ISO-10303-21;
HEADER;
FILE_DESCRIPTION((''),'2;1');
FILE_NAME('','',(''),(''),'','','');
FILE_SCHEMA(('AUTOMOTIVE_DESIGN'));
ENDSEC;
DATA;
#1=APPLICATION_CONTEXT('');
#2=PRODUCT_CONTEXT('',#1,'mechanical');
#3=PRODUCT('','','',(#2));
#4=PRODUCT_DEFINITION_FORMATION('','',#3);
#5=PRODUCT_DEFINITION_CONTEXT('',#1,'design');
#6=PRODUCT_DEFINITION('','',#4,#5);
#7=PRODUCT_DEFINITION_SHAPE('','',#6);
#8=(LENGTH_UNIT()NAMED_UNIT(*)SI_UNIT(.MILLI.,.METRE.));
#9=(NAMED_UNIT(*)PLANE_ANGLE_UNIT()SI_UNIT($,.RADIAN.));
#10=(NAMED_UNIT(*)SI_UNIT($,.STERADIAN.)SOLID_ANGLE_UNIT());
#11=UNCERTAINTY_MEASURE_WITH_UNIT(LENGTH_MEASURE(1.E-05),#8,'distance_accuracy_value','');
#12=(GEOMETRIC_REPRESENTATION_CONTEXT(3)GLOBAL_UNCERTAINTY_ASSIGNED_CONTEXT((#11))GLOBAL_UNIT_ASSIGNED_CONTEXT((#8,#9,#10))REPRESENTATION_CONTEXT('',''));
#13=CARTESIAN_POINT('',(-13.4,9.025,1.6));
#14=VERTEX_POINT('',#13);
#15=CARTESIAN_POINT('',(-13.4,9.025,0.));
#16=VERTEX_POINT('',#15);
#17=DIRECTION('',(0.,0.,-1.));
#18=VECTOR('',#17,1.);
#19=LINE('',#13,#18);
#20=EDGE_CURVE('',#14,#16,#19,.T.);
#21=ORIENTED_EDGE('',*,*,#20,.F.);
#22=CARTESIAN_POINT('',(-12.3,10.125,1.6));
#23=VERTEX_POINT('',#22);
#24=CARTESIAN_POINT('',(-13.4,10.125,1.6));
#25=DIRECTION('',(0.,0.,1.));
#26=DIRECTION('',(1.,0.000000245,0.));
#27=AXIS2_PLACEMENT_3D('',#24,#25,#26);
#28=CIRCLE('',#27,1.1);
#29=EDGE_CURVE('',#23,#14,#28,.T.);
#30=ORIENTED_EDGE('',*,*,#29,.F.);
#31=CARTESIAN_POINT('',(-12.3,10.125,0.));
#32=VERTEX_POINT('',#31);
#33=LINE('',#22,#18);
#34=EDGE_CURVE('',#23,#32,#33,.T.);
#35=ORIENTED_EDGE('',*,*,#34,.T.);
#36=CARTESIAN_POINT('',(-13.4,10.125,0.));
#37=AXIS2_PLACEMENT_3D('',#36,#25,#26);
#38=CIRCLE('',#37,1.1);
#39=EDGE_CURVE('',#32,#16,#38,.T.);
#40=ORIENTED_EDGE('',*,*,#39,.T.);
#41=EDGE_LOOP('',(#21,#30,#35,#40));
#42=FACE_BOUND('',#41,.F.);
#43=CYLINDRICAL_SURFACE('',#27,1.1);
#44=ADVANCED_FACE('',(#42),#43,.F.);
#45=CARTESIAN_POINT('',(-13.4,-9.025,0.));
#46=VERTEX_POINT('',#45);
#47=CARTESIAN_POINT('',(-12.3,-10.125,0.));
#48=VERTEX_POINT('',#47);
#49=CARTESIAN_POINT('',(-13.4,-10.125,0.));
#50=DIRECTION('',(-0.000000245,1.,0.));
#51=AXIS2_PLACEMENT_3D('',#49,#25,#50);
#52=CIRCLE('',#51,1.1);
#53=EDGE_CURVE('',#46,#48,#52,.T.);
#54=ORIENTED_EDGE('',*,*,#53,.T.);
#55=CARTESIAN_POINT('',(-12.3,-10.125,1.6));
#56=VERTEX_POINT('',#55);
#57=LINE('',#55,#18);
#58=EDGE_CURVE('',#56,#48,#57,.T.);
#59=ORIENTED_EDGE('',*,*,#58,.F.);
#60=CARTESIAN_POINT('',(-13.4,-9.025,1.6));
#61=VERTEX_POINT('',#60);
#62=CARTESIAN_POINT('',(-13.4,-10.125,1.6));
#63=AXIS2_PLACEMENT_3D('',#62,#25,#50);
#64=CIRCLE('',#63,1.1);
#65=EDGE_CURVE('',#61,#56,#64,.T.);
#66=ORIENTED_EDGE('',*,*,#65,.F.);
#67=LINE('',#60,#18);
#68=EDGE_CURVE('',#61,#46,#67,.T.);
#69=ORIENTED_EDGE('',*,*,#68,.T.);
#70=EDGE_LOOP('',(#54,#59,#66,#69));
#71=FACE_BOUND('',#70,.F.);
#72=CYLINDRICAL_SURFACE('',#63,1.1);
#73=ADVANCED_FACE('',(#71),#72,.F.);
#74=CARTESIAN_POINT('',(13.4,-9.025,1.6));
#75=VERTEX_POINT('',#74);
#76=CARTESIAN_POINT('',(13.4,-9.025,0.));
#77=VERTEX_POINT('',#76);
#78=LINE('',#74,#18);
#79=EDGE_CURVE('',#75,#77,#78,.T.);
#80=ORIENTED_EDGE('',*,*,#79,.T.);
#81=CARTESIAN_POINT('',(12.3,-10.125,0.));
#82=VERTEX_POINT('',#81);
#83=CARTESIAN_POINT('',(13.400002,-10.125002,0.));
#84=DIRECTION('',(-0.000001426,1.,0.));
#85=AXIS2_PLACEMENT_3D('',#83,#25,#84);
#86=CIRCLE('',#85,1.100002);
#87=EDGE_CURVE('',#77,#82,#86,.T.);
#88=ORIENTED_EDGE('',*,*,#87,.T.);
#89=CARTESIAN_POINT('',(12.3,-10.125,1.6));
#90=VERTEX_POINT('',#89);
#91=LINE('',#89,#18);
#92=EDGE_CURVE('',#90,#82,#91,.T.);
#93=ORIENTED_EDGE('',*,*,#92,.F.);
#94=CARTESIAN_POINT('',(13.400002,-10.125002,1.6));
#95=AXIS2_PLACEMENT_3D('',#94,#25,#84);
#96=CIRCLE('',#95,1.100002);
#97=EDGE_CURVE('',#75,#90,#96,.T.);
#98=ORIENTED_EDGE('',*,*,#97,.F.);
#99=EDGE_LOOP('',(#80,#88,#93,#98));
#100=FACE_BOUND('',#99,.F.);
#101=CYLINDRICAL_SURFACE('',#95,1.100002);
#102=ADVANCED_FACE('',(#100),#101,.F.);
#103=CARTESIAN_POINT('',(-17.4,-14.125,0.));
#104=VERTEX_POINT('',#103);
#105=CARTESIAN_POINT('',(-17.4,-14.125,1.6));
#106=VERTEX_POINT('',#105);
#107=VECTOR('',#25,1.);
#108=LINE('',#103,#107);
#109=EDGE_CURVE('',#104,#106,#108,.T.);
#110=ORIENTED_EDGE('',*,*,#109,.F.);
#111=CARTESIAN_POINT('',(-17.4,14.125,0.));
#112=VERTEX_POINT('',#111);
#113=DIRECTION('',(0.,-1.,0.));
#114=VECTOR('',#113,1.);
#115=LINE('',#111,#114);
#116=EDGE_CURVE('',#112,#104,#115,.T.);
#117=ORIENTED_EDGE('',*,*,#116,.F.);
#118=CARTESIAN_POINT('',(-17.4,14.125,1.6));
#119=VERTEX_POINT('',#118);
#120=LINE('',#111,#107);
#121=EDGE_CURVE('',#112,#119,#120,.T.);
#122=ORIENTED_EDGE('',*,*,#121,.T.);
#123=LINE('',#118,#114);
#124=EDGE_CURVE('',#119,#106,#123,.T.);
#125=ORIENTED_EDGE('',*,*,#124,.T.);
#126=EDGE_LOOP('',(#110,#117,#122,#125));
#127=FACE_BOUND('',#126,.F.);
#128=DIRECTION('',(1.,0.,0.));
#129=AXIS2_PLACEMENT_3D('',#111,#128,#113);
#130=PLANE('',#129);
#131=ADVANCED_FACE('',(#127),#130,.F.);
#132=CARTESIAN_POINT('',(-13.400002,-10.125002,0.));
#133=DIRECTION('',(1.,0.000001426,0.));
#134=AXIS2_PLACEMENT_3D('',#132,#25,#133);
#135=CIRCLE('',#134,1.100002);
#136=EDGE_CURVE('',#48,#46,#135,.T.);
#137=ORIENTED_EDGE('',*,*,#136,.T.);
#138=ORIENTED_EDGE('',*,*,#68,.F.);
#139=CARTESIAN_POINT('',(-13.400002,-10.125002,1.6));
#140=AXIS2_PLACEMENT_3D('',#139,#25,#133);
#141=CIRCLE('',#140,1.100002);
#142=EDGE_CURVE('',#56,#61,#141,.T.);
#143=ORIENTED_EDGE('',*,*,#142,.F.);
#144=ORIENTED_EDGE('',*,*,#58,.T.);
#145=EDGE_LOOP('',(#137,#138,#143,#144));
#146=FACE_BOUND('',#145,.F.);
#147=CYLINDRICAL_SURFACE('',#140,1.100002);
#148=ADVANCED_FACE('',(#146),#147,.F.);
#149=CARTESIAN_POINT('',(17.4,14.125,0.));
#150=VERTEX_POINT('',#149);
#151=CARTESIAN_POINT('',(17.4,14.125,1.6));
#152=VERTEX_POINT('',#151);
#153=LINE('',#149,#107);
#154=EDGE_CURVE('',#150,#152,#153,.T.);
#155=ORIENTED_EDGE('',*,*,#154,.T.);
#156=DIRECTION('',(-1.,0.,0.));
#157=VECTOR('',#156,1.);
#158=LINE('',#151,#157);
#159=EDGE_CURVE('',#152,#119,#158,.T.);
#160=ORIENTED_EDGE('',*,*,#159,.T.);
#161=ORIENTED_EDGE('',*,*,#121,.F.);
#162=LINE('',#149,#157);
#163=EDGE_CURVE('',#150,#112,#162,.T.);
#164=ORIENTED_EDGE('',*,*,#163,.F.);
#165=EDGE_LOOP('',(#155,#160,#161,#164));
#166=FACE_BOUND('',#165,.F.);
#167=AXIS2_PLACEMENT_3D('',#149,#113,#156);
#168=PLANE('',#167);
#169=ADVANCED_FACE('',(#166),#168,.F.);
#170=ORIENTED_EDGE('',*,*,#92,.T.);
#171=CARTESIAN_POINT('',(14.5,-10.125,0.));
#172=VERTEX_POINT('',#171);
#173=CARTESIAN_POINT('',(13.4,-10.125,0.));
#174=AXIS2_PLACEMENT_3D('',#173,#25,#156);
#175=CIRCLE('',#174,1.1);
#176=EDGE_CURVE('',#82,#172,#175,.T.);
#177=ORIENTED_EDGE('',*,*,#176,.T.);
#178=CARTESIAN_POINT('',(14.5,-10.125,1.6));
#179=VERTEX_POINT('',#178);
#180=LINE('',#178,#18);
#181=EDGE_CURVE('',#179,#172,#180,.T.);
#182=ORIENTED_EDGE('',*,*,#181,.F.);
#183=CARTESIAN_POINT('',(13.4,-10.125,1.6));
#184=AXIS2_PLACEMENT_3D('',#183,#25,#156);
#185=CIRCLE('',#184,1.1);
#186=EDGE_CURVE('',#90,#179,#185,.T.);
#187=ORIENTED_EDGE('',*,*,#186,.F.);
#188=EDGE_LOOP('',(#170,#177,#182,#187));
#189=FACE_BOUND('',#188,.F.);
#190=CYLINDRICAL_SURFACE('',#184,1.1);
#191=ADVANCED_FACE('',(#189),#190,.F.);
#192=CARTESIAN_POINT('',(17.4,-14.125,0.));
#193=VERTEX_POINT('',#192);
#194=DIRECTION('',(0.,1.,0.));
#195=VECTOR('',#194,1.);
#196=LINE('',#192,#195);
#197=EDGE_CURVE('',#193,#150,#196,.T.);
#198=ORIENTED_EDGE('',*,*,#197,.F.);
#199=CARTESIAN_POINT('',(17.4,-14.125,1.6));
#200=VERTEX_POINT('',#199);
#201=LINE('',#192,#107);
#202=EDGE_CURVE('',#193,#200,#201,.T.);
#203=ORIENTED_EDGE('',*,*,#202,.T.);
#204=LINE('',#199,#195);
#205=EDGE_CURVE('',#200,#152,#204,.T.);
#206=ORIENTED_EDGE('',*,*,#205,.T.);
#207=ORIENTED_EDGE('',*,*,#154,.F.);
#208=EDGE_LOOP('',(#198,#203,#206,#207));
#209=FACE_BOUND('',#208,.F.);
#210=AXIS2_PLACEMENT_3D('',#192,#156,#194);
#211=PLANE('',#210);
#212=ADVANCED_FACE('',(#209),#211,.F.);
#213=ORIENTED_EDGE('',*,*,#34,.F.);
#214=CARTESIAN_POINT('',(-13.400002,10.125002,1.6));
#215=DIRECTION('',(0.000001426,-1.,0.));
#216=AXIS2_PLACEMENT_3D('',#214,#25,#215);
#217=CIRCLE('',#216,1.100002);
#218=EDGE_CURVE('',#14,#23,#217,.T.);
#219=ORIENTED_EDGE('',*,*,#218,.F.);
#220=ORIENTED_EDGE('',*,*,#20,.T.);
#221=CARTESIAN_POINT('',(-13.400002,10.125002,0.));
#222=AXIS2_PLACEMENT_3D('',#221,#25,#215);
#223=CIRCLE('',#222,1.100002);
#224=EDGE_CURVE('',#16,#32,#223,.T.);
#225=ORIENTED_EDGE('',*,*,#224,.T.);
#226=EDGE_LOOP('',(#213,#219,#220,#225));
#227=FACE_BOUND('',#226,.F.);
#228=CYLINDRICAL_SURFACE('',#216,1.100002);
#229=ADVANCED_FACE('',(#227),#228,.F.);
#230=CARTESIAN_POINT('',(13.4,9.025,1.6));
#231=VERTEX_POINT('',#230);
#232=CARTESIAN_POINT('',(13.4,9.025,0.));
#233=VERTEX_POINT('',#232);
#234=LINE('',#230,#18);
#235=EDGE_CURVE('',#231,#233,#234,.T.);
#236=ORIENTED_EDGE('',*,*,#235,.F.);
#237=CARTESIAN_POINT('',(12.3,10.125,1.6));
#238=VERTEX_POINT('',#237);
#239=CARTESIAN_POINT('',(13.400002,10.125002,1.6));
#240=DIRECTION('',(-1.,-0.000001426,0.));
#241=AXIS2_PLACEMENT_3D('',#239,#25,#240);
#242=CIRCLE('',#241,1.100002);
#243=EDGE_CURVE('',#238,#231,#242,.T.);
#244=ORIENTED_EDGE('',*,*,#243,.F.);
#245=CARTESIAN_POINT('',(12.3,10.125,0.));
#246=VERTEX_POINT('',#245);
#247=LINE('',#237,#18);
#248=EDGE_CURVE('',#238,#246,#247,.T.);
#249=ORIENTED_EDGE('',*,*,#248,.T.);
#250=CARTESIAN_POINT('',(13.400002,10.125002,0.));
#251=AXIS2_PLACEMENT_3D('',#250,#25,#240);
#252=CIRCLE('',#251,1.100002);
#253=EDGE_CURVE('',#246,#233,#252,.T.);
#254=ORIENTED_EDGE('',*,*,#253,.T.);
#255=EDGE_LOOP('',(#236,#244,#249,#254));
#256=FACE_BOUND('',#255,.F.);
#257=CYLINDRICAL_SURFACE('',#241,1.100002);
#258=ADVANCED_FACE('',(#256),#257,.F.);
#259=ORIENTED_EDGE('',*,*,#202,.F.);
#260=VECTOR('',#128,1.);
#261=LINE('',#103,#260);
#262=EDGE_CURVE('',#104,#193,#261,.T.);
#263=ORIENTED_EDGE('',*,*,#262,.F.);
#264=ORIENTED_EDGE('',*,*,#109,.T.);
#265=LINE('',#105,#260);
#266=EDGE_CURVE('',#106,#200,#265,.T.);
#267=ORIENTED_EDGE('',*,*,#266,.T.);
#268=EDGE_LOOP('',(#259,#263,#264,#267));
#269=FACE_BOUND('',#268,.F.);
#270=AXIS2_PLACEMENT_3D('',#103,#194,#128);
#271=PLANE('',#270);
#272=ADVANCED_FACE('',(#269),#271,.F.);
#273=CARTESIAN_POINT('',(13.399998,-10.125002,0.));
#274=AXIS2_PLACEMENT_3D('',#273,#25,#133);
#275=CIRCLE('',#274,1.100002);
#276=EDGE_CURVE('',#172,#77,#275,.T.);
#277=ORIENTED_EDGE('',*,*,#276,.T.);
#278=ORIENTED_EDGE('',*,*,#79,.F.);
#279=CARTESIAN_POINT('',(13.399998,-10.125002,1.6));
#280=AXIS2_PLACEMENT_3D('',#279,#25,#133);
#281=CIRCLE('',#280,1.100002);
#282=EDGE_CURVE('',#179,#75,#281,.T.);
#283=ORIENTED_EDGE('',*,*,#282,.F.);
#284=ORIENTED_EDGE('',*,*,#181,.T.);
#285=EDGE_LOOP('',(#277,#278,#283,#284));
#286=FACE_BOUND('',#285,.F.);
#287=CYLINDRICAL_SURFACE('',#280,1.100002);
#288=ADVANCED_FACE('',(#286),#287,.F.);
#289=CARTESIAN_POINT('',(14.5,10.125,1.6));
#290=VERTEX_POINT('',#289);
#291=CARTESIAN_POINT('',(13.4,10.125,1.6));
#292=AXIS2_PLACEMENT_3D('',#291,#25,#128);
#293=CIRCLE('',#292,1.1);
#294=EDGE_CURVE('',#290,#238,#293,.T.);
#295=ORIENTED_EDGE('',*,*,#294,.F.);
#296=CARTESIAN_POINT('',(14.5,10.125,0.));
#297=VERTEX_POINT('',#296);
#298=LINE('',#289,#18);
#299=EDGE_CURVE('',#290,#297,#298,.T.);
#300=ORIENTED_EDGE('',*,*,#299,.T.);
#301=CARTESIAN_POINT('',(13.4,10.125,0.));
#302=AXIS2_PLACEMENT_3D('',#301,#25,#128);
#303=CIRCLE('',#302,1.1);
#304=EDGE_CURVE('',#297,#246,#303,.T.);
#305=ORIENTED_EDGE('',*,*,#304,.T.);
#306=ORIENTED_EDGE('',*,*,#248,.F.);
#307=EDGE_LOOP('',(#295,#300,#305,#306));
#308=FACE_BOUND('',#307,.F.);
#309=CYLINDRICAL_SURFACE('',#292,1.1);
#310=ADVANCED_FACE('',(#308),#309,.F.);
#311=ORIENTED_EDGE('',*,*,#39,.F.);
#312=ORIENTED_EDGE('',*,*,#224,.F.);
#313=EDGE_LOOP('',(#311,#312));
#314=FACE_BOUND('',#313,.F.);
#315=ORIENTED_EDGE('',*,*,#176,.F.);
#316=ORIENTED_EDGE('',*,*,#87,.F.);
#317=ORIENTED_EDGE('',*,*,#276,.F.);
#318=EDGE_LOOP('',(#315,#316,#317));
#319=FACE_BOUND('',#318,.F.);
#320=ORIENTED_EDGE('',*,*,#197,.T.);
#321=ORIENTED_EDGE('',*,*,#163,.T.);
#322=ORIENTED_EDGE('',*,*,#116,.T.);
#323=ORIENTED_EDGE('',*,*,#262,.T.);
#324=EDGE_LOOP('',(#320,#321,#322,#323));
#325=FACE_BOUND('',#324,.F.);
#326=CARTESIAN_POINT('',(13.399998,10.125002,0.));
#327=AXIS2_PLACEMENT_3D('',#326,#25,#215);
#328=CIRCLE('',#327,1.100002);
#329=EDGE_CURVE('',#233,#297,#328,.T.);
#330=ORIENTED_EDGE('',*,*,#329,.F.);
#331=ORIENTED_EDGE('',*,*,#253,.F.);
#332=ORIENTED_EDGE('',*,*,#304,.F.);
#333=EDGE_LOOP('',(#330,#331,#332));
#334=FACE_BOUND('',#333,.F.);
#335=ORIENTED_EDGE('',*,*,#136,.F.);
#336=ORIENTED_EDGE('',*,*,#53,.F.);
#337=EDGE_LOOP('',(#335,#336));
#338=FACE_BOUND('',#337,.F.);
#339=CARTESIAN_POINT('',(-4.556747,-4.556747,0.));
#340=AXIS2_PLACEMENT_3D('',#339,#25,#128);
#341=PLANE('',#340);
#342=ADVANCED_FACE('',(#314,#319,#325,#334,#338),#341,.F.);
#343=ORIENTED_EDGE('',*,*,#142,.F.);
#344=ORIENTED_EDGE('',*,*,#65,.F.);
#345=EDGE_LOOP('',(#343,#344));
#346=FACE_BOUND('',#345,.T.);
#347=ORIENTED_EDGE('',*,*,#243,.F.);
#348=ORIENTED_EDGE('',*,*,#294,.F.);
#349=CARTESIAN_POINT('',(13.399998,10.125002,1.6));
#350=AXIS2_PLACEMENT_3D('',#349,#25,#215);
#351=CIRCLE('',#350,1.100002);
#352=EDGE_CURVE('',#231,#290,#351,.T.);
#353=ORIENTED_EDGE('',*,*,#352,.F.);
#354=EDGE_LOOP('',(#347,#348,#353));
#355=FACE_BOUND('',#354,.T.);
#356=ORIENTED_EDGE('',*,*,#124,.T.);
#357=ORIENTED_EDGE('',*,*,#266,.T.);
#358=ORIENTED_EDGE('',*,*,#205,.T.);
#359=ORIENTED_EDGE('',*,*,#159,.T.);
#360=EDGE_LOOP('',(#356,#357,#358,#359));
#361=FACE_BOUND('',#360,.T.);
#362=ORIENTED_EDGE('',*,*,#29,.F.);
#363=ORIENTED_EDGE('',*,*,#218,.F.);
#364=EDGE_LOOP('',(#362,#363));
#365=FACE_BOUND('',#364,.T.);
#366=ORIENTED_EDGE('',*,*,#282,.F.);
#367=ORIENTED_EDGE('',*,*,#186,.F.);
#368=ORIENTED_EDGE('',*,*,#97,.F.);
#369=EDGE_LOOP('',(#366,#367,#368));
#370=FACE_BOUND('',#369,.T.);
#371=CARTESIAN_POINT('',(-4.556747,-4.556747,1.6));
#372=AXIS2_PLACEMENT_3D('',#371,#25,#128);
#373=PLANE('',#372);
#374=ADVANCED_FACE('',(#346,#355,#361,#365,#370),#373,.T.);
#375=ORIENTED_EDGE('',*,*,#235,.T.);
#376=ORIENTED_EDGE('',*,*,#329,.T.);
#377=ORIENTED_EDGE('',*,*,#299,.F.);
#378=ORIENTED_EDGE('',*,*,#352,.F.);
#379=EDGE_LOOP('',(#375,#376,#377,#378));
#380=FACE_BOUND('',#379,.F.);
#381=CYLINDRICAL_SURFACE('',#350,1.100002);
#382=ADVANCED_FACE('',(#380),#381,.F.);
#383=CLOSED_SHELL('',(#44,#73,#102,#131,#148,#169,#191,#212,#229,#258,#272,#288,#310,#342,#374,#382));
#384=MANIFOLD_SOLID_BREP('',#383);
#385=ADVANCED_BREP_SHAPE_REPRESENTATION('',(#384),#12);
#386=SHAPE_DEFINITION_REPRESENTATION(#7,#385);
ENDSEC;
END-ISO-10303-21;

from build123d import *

# Parameters (mm, degrees)
F1_DEPTH = 1.6
F3_DEPTH = 1.601


with BuildPart() as f1:
    # F0 (on Top) → F1 (new body)
    with BuildSketch(Plane.XY):
        Polygon((17.4, -14.125), (-17.4, 14.125), (-17.4, -14.125), align=None)
        Polygon((17.4, 14.125), (-17.4, 14.125), (17.4, -14.125), align=None)
    extrude(amount=F1_DEPTH)

    # F2 (on face) → F3 (cut, through all)
    with BuildSketch(Plane.XY.offset(1.6)):
        with BuildLine():
            ThreePointArc((-12.3, 10.125), (-14.177817, 10.902817), (-13.4, 9.025))
            Line((-13.4, 9.025), (-13.4, 10.125))
            Line((-13.4, 10.125), (-12.3, 10.125))
        make_face()
        with BuildLine():
            Line((-13.4, 10.125), (-13.4, 9.025))
            ThreePointArc((-13.4, 9.025), (-12.622183, 9.347183), (-12.3, 10.125))
            Line((-12.3, 10.125), (-13.4, 10.125))
        make_face()
        with BuildLine():
            ThreePointArc((-13.4, -9.025), (-14.177817, -10.902817), (-12.3, -10.125))
            Line((-12.3, -10.125), (-13.4, -10.125))
            Line((-13.4, -10.125), (-13.4, -9.025))
        make_face()
        with BuildLine():
            Line((-13.4, -10.125), (-12.3, -10.125))
            ThreePointArc((-12.3, -10.125), (-12.622183, -9.347183), (-13.4, -9.025))
            Line((-13.4, -9.025), (-13.4, -10.125))
        make_face()
        with BuildLine():
            Line((13.4, -10.125), (12.3, -10.125))
            ThreePointArc((12.3, -10.125), (13.4, -11.225), (14.5, -10.125))
            ThreePointArc((14.5, -10.125), (14.177817, -9.347183), (13.4, -9.025))
            Line((13.4, -9.025), (13.4, -10.125))
        make_face()
        with BuildLine():
            ThreePointArc((13.4, -9.025), (12.622183, -9.347183), (12.3, -10.125))
            Line((12.3, -10.125), (13.4, -10.125))
            Line((13.4, -10.125), (13.4, -9.025))
        make_face()
        with BuildLine():
            Line((13.4, 10.125), (13.4, 9.025))
            ThreePointArc((13.4, 9.025), (14.177817, 9.347183), (14.5, 10.125))
            ThreePointArc((14.5, 10.125), (13.4, 11.225), (12.3, 10.125))
            Line((12.3, 10.125), (13.4, 10.125))
        make_face()
        with BuildLine():
            ThreePointArc((12.3, 10.125), (12.622183, 9.347183), (13.4, 9.025))
            Line((13.4, 9.025), (13.4, 10.125))
            Line((13.4, 10.125), (12.3, 10.125))
        make_face()
    extrude(amount=-F3_DEPTH, mode=Mode.SUBTRACT)


solid = f1.part
